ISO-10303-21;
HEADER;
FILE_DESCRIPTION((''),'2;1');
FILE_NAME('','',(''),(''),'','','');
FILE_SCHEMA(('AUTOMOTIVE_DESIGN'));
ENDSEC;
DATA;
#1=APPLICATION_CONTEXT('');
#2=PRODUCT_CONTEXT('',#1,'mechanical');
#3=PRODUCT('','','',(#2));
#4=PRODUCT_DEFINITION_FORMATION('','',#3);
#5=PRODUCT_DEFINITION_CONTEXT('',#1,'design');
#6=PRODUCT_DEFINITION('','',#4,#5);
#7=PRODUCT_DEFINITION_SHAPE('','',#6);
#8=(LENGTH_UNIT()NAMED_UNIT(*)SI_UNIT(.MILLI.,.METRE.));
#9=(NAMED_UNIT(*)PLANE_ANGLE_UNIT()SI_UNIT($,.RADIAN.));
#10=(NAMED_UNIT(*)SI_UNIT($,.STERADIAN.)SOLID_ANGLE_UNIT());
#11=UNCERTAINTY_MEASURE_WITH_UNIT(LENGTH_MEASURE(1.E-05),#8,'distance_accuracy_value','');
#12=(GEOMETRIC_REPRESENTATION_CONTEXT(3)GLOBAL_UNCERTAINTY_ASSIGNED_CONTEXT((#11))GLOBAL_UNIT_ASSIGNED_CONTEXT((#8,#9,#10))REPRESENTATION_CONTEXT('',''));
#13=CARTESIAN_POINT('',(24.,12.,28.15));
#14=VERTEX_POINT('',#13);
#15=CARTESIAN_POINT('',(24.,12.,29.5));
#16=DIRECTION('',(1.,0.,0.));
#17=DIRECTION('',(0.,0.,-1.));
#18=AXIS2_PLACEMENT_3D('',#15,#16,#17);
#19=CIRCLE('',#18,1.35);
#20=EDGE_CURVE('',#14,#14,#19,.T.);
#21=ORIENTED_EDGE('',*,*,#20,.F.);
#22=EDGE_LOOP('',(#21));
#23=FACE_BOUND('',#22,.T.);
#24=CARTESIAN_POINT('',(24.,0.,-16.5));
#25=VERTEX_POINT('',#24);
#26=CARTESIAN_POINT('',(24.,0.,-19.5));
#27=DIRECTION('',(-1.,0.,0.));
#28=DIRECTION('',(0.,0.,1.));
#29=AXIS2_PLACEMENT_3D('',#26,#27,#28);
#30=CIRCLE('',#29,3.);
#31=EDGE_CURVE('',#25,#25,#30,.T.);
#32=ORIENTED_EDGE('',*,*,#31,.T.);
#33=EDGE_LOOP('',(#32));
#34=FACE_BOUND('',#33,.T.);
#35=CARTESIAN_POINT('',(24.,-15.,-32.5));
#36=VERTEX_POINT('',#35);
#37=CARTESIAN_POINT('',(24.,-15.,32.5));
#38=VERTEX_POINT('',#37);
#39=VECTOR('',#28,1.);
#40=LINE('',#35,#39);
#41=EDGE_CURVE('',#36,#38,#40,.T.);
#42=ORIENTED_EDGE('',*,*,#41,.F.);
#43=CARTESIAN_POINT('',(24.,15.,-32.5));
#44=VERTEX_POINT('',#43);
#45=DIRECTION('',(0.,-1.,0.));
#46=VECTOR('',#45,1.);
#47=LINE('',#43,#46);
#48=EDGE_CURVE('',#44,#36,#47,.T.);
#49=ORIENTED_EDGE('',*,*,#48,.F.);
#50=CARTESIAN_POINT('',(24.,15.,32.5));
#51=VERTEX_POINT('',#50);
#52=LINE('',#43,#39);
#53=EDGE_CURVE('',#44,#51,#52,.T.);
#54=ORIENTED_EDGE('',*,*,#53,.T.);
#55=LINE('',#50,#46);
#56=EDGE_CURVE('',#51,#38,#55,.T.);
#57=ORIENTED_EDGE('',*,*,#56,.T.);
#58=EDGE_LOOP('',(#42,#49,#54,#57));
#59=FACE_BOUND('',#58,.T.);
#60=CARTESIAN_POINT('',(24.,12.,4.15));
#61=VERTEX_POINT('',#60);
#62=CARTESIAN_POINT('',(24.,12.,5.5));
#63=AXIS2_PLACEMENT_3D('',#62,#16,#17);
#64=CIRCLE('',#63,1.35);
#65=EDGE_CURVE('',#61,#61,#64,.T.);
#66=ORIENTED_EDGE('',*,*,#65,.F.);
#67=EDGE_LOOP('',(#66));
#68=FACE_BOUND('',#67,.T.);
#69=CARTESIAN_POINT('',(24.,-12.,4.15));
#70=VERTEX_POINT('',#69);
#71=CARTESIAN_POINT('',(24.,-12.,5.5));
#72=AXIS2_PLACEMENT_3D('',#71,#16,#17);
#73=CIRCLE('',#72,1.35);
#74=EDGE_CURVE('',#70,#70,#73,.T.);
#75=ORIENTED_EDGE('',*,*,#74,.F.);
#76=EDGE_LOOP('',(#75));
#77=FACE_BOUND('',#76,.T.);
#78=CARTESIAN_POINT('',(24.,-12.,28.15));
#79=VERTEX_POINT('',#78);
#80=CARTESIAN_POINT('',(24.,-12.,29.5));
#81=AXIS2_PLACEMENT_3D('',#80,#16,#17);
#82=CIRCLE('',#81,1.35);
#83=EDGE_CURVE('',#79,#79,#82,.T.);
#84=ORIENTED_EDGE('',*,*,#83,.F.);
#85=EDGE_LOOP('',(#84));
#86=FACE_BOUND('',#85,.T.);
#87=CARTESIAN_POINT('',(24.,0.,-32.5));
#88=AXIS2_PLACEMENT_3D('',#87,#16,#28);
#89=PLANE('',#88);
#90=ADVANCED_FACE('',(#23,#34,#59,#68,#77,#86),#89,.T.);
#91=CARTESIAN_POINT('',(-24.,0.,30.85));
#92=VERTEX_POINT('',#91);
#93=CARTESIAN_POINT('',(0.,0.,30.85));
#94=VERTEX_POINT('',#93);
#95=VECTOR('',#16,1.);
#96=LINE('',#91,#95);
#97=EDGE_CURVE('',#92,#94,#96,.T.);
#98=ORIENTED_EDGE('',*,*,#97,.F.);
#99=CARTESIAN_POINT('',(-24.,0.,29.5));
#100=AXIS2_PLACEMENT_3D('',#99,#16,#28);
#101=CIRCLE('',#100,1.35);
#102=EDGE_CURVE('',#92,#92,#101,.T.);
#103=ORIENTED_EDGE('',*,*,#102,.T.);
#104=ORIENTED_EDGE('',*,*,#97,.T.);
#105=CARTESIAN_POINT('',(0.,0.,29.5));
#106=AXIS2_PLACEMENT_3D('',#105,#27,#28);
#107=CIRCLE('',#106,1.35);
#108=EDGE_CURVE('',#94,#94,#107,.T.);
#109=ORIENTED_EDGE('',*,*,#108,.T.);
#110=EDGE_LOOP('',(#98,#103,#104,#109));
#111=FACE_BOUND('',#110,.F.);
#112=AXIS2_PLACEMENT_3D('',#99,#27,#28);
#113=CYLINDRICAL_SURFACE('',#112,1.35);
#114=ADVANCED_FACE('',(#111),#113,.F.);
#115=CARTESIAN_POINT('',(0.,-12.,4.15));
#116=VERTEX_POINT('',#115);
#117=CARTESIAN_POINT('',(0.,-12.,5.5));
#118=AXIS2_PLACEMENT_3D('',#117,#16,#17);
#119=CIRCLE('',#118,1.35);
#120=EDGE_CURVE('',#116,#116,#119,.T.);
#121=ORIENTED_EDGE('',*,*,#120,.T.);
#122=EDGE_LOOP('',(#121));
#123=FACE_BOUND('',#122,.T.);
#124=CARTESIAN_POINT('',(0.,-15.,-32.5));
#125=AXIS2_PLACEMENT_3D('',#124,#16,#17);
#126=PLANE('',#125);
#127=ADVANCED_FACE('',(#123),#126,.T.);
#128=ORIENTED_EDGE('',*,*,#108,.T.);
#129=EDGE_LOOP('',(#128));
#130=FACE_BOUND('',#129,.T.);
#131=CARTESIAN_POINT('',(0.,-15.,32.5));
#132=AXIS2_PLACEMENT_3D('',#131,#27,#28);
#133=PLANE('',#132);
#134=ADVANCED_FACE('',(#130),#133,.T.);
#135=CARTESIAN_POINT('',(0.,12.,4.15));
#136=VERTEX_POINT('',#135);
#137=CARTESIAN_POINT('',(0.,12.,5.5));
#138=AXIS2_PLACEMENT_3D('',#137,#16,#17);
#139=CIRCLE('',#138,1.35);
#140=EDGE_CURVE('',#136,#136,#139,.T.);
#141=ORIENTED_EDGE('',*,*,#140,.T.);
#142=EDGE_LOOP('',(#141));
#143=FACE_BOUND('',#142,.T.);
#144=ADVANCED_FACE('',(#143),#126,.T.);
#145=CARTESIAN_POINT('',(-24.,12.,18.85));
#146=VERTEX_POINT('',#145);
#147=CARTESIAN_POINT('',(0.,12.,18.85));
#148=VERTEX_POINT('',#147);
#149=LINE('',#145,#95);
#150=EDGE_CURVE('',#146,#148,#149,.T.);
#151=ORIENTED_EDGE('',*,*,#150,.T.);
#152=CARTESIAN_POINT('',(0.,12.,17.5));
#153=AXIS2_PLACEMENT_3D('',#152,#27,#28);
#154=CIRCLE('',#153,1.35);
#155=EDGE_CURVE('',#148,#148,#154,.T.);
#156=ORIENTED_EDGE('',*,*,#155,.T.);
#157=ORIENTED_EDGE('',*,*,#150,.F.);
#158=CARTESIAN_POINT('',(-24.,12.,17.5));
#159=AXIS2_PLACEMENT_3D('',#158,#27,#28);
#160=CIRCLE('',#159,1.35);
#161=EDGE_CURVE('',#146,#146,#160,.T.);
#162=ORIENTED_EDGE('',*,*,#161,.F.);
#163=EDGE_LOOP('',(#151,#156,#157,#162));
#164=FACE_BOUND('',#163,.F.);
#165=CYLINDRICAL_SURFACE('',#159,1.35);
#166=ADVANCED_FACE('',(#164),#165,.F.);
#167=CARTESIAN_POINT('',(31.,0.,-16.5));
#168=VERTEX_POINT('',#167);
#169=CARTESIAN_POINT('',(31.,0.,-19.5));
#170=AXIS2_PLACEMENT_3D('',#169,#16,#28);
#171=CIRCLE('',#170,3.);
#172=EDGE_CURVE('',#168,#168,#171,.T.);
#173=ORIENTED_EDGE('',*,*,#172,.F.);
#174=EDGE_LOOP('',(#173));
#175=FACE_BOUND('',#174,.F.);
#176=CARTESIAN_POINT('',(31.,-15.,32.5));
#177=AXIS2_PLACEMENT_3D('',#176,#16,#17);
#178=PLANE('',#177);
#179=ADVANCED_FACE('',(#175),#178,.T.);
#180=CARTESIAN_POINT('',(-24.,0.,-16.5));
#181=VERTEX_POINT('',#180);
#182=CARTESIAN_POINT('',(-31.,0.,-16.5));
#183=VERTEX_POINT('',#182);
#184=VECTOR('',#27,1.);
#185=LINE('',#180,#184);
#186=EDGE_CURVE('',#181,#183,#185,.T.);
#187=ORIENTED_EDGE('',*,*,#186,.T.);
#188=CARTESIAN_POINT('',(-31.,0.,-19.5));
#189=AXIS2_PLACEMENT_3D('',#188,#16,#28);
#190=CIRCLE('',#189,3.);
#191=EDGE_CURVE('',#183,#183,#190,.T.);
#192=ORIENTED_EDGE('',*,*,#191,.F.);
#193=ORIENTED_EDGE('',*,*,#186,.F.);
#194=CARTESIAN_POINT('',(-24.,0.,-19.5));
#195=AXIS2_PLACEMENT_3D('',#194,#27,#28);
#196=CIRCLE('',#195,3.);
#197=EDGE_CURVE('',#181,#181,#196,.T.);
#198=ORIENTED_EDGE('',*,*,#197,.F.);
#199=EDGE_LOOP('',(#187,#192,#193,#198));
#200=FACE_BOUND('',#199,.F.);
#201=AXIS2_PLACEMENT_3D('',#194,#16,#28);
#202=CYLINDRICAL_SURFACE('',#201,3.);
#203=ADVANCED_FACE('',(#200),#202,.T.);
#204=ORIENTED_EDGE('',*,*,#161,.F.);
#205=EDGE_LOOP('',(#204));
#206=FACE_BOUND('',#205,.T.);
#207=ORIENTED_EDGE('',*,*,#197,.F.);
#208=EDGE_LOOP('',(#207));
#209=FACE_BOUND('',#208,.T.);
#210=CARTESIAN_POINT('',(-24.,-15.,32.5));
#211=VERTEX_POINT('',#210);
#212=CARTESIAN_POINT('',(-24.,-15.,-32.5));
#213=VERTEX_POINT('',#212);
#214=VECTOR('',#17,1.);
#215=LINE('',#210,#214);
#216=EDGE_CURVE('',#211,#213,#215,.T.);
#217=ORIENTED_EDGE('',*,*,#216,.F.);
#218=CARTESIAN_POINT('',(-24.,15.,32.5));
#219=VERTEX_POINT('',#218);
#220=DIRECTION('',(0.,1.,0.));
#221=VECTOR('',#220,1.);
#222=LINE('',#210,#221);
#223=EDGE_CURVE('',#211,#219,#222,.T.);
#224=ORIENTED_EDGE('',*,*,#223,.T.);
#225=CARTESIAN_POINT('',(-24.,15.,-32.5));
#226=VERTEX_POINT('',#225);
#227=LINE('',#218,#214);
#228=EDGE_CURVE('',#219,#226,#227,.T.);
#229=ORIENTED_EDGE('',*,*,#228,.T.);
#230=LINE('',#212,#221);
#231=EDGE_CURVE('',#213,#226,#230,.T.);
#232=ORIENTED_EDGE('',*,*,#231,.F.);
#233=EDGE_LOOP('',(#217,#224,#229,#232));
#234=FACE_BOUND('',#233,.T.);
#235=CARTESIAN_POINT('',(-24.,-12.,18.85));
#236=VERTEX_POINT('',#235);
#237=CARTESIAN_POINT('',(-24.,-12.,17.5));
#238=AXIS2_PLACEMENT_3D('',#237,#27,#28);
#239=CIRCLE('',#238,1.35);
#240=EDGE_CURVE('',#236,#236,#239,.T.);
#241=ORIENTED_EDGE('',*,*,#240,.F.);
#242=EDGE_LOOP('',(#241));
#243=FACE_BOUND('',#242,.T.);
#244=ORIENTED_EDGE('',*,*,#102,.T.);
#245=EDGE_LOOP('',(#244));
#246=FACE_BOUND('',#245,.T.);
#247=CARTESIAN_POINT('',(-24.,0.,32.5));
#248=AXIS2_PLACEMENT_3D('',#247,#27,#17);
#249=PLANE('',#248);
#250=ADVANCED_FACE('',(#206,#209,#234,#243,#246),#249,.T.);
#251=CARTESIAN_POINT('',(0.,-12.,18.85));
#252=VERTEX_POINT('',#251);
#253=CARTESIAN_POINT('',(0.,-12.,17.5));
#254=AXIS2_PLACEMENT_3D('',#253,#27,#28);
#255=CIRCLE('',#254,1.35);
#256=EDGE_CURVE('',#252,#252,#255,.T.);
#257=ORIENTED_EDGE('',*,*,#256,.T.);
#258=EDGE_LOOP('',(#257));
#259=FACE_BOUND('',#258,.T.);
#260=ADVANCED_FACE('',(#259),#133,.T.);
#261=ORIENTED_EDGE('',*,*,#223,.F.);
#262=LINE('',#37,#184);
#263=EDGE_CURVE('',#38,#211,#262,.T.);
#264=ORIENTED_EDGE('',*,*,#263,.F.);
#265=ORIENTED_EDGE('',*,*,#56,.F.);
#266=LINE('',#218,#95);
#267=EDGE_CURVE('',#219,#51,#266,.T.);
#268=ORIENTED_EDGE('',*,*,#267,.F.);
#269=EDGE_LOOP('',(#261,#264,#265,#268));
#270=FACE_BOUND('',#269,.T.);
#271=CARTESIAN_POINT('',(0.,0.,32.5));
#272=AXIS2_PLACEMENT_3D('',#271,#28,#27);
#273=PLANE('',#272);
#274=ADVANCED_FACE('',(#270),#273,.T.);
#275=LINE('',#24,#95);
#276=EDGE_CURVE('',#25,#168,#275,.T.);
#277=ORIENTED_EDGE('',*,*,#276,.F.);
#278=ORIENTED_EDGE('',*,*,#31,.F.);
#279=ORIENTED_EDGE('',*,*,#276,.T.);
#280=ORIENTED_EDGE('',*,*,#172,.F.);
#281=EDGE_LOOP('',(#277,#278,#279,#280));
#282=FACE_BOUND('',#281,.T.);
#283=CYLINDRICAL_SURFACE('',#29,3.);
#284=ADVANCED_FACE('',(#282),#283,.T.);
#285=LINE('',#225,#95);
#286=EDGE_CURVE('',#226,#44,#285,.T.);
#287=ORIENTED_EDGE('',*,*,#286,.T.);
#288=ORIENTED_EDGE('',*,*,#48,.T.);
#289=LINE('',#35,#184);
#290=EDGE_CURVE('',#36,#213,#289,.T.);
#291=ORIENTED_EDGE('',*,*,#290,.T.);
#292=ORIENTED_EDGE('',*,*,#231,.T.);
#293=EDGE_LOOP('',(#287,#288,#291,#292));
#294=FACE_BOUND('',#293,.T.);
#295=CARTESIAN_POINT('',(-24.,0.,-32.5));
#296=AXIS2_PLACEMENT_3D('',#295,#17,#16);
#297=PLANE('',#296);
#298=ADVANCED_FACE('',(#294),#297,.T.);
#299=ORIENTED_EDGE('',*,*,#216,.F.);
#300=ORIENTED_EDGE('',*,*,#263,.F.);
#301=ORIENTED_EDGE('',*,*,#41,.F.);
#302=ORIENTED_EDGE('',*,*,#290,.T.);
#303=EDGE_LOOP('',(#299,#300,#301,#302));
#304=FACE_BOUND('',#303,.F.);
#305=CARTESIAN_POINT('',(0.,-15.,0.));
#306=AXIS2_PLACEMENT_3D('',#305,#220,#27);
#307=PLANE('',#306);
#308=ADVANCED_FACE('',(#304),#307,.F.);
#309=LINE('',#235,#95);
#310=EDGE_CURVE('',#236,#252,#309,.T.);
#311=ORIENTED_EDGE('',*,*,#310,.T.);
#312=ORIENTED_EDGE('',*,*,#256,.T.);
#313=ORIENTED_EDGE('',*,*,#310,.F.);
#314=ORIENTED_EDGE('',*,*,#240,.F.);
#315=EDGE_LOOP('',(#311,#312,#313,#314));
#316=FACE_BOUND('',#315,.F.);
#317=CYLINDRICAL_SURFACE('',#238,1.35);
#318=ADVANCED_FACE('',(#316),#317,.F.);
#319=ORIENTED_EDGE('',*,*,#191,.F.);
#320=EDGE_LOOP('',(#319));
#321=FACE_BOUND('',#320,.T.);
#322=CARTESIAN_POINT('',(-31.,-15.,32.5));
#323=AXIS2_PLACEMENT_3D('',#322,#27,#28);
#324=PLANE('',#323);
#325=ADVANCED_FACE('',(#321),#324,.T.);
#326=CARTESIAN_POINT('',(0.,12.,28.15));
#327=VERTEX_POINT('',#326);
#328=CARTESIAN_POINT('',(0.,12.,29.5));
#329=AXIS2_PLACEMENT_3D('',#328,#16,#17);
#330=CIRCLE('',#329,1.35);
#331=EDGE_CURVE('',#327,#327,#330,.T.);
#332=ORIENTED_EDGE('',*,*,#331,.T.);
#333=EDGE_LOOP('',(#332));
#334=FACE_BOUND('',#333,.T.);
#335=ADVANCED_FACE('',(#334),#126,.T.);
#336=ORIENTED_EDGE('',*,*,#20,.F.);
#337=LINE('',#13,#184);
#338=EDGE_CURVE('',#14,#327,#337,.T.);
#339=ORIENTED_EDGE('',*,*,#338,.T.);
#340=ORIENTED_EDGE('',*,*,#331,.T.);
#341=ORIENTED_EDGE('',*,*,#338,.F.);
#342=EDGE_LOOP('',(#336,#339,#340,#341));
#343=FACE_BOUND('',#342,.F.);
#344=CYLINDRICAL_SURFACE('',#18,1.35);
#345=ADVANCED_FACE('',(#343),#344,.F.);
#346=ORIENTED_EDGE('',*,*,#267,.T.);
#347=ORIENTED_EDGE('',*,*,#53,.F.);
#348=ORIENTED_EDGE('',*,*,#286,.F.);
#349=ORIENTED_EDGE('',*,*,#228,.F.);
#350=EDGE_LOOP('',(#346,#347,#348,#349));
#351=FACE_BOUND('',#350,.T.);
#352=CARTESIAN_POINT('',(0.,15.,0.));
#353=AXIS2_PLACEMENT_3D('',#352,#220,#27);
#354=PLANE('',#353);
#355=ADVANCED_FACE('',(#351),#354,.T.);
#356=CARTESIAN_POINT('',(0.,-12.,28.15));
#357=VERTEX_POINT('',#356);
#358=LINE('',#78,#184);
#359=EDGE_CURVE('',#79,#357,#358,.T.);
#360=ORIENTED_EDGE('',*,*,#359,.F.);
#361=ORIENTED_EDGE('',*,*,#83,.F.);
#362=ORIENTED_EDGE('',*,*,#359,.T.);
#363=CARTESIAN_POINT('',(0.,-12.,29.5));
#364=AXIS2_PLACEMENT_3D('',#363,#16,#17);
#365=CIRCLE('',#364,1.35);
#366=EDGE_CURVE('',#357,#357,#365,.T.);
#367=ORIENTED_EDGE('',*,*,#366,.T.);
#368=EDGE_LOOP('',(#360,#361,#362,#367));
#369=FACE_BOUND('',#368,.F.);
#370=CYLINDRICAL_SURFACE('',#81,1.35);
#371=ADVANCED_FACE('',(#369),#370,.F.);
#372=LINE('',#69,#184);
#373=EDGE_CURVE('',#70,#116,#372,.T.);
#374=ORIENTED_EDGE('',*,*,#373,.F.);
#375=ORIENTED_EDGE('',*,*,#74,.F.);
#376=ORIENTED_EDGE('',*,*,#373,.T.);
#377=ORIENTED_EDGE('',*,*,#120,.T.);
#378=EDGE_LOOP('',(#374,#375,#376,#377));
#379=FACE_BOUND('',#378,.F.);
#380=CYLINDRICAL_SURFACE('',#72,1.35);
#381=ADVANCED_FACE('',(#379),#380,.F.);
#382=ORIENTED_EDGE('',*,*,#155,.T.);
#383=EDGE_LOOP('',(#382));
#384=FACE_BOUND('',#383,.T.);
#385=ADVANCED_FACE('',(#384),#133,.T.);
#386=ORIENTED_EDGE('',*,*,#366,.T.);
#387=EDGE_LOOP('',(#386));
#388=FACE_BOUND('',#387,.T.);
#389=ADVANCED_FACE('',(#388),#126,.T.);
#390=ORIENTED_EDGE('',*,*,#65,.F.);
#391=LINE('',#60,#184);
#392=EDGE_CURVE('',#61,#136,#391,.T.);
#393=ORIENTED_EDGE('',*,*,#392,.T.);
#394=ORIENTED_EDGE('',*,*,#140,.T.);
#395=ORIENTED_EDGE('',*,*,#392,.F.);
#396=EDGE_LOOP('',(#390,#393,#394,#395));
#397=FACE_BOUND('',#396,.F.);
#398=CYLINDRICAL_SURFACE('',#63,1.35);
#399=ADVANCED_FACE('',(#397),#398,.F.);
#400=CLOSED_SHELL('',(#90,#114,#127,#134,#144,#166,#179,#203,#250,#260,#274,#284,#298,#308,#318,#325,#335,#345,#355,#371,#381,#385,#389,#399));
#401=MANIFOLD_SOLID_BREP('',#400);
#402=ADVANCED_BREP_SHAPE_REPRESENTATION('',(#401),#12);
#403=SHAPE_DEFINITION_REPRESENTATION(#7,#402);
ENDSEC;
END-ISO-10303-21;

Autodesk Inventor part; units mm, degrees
ref_plane "YZ Plane" through (0, 0, 0) normal (1, 0, 0) x (0, 1, 0)
ref_plane "XZ Plane" through (0, 0, 0) normal (0, 1, 0) x (-1, 0, 0)
ref_plane "XY Plane" through (0, 0, 0) normal (0, 0, 1) x (1, 0, 0)
sketch "Эскиз1" plane through (0, 0, 0) normal (0, 1, 0) x (-1, 0, 0)
  line L0 (24, -32.5) -> (-24, -32.5)
  line L1 (-24, -32.5) -> (-24, 32.5)
  line L2 (-24, 32.5) -> (24, 32.5)
  line L3 (24, 32.5) -> (24, -32.5)
  line L4 (24, -32.5) -> (-24, 32.5) construction
  line L5 (-24, -32.5) -> (24, 32.5) construction
  line L6 (-33.6, 0) -> (33.6, 0) construction
  line L7 (0, -45.5) -> (0, 45.5) projected
  point P0 (0, 0)
  point P1 (0, 0)
  point P2 (0, 0)
  dimension "d0" = 65
  dimension "d1" = 48
extrude "Выдавливание1" add sketch "Эскиз1" along normal mid plane 30
sketch "Эскиз2" plane through (24, -15, -32.5) normal (1, 0, 0) x (0, 0, -1)
  circle A0 centre (-62, 27) radius 1.35
  circle A1 centre (-38, 27) radius 1.35
  circle A2 centre (-38, 3) radius 1.35
  circle A3 centre (-62, 3) radius 1.35
  line L0 (-62, 27) -> (-38, 27) construction
  line L1 (-38, 27) -> (-38, 3) construction
  line L2 (-38, 3) -> (-62, 3) construction
  line L3 (-62, 27) -> (-62, 3) construction
  line L4 (-65, 30) -> (0, 30) projected
  line L5 (-65, 0) -> (-65, 30) projected
  point P0 (-32.5, 15)
  dimension "d4" = 2.7
  dimension "d9" = 24
  dimension "d10" = 3
  dimension "d11" = 3
extrude "Выдавливание2" cut sketch "Эскиз2" against normal up to surface (24 mm away)
sketch "Эскиз3" plane through (-24, -15, 32.5) normal (-1, 0, 0) x (0, 0, 1)
  line L0 (-15, 27) -> (-3, 27)
  line L1 (-3, 27) -> (-3, 3)
  line L2 (-3, 3) -> (-15, 3)
  circle A0 centre (-3, 15) radius 1.35
  circle A1 centre (-15, 27) radius 1.35
  circle A2 centre (-15, 3) radius 1.35
  line L3 (-65, 30) -> (0, 30) projected
  line L4 (0, 30) -> (0, 0) projected
  point P0 (-32.5, 15)
  dimension "d14" = 24
  dimension "d15" = 12
  dimension "d17" = 2.7
  dimension "d18" = 3
  dimension "d19" = 3
extrude "Выдавливание3" cut sketch "Эскиз3" against normal up to surface (24 mm away)
sketch "Эскиз4" plane through (-24, -15, 32.5) normal (-1, 0, 0) x (0, 0, 1)
  circle A0 centre (-52, 15) radius 3
  line L0 (-78, 15) -> (13, 15) projected
  line L1 (-65, 0) -> (-65, 30) projected
  point P0 (-32.5, 15)
  dimension "d22" = 6
  dimension "d23" = 13
extrude "Выдавливание4" add sketch "Эскиз4" along normal blind 7
mirror "Зеркальное отражение1" about plane through (0, 0, 0) normal (1, 0, 0) of "Выдавливание4"
properties part number "рдс150"
